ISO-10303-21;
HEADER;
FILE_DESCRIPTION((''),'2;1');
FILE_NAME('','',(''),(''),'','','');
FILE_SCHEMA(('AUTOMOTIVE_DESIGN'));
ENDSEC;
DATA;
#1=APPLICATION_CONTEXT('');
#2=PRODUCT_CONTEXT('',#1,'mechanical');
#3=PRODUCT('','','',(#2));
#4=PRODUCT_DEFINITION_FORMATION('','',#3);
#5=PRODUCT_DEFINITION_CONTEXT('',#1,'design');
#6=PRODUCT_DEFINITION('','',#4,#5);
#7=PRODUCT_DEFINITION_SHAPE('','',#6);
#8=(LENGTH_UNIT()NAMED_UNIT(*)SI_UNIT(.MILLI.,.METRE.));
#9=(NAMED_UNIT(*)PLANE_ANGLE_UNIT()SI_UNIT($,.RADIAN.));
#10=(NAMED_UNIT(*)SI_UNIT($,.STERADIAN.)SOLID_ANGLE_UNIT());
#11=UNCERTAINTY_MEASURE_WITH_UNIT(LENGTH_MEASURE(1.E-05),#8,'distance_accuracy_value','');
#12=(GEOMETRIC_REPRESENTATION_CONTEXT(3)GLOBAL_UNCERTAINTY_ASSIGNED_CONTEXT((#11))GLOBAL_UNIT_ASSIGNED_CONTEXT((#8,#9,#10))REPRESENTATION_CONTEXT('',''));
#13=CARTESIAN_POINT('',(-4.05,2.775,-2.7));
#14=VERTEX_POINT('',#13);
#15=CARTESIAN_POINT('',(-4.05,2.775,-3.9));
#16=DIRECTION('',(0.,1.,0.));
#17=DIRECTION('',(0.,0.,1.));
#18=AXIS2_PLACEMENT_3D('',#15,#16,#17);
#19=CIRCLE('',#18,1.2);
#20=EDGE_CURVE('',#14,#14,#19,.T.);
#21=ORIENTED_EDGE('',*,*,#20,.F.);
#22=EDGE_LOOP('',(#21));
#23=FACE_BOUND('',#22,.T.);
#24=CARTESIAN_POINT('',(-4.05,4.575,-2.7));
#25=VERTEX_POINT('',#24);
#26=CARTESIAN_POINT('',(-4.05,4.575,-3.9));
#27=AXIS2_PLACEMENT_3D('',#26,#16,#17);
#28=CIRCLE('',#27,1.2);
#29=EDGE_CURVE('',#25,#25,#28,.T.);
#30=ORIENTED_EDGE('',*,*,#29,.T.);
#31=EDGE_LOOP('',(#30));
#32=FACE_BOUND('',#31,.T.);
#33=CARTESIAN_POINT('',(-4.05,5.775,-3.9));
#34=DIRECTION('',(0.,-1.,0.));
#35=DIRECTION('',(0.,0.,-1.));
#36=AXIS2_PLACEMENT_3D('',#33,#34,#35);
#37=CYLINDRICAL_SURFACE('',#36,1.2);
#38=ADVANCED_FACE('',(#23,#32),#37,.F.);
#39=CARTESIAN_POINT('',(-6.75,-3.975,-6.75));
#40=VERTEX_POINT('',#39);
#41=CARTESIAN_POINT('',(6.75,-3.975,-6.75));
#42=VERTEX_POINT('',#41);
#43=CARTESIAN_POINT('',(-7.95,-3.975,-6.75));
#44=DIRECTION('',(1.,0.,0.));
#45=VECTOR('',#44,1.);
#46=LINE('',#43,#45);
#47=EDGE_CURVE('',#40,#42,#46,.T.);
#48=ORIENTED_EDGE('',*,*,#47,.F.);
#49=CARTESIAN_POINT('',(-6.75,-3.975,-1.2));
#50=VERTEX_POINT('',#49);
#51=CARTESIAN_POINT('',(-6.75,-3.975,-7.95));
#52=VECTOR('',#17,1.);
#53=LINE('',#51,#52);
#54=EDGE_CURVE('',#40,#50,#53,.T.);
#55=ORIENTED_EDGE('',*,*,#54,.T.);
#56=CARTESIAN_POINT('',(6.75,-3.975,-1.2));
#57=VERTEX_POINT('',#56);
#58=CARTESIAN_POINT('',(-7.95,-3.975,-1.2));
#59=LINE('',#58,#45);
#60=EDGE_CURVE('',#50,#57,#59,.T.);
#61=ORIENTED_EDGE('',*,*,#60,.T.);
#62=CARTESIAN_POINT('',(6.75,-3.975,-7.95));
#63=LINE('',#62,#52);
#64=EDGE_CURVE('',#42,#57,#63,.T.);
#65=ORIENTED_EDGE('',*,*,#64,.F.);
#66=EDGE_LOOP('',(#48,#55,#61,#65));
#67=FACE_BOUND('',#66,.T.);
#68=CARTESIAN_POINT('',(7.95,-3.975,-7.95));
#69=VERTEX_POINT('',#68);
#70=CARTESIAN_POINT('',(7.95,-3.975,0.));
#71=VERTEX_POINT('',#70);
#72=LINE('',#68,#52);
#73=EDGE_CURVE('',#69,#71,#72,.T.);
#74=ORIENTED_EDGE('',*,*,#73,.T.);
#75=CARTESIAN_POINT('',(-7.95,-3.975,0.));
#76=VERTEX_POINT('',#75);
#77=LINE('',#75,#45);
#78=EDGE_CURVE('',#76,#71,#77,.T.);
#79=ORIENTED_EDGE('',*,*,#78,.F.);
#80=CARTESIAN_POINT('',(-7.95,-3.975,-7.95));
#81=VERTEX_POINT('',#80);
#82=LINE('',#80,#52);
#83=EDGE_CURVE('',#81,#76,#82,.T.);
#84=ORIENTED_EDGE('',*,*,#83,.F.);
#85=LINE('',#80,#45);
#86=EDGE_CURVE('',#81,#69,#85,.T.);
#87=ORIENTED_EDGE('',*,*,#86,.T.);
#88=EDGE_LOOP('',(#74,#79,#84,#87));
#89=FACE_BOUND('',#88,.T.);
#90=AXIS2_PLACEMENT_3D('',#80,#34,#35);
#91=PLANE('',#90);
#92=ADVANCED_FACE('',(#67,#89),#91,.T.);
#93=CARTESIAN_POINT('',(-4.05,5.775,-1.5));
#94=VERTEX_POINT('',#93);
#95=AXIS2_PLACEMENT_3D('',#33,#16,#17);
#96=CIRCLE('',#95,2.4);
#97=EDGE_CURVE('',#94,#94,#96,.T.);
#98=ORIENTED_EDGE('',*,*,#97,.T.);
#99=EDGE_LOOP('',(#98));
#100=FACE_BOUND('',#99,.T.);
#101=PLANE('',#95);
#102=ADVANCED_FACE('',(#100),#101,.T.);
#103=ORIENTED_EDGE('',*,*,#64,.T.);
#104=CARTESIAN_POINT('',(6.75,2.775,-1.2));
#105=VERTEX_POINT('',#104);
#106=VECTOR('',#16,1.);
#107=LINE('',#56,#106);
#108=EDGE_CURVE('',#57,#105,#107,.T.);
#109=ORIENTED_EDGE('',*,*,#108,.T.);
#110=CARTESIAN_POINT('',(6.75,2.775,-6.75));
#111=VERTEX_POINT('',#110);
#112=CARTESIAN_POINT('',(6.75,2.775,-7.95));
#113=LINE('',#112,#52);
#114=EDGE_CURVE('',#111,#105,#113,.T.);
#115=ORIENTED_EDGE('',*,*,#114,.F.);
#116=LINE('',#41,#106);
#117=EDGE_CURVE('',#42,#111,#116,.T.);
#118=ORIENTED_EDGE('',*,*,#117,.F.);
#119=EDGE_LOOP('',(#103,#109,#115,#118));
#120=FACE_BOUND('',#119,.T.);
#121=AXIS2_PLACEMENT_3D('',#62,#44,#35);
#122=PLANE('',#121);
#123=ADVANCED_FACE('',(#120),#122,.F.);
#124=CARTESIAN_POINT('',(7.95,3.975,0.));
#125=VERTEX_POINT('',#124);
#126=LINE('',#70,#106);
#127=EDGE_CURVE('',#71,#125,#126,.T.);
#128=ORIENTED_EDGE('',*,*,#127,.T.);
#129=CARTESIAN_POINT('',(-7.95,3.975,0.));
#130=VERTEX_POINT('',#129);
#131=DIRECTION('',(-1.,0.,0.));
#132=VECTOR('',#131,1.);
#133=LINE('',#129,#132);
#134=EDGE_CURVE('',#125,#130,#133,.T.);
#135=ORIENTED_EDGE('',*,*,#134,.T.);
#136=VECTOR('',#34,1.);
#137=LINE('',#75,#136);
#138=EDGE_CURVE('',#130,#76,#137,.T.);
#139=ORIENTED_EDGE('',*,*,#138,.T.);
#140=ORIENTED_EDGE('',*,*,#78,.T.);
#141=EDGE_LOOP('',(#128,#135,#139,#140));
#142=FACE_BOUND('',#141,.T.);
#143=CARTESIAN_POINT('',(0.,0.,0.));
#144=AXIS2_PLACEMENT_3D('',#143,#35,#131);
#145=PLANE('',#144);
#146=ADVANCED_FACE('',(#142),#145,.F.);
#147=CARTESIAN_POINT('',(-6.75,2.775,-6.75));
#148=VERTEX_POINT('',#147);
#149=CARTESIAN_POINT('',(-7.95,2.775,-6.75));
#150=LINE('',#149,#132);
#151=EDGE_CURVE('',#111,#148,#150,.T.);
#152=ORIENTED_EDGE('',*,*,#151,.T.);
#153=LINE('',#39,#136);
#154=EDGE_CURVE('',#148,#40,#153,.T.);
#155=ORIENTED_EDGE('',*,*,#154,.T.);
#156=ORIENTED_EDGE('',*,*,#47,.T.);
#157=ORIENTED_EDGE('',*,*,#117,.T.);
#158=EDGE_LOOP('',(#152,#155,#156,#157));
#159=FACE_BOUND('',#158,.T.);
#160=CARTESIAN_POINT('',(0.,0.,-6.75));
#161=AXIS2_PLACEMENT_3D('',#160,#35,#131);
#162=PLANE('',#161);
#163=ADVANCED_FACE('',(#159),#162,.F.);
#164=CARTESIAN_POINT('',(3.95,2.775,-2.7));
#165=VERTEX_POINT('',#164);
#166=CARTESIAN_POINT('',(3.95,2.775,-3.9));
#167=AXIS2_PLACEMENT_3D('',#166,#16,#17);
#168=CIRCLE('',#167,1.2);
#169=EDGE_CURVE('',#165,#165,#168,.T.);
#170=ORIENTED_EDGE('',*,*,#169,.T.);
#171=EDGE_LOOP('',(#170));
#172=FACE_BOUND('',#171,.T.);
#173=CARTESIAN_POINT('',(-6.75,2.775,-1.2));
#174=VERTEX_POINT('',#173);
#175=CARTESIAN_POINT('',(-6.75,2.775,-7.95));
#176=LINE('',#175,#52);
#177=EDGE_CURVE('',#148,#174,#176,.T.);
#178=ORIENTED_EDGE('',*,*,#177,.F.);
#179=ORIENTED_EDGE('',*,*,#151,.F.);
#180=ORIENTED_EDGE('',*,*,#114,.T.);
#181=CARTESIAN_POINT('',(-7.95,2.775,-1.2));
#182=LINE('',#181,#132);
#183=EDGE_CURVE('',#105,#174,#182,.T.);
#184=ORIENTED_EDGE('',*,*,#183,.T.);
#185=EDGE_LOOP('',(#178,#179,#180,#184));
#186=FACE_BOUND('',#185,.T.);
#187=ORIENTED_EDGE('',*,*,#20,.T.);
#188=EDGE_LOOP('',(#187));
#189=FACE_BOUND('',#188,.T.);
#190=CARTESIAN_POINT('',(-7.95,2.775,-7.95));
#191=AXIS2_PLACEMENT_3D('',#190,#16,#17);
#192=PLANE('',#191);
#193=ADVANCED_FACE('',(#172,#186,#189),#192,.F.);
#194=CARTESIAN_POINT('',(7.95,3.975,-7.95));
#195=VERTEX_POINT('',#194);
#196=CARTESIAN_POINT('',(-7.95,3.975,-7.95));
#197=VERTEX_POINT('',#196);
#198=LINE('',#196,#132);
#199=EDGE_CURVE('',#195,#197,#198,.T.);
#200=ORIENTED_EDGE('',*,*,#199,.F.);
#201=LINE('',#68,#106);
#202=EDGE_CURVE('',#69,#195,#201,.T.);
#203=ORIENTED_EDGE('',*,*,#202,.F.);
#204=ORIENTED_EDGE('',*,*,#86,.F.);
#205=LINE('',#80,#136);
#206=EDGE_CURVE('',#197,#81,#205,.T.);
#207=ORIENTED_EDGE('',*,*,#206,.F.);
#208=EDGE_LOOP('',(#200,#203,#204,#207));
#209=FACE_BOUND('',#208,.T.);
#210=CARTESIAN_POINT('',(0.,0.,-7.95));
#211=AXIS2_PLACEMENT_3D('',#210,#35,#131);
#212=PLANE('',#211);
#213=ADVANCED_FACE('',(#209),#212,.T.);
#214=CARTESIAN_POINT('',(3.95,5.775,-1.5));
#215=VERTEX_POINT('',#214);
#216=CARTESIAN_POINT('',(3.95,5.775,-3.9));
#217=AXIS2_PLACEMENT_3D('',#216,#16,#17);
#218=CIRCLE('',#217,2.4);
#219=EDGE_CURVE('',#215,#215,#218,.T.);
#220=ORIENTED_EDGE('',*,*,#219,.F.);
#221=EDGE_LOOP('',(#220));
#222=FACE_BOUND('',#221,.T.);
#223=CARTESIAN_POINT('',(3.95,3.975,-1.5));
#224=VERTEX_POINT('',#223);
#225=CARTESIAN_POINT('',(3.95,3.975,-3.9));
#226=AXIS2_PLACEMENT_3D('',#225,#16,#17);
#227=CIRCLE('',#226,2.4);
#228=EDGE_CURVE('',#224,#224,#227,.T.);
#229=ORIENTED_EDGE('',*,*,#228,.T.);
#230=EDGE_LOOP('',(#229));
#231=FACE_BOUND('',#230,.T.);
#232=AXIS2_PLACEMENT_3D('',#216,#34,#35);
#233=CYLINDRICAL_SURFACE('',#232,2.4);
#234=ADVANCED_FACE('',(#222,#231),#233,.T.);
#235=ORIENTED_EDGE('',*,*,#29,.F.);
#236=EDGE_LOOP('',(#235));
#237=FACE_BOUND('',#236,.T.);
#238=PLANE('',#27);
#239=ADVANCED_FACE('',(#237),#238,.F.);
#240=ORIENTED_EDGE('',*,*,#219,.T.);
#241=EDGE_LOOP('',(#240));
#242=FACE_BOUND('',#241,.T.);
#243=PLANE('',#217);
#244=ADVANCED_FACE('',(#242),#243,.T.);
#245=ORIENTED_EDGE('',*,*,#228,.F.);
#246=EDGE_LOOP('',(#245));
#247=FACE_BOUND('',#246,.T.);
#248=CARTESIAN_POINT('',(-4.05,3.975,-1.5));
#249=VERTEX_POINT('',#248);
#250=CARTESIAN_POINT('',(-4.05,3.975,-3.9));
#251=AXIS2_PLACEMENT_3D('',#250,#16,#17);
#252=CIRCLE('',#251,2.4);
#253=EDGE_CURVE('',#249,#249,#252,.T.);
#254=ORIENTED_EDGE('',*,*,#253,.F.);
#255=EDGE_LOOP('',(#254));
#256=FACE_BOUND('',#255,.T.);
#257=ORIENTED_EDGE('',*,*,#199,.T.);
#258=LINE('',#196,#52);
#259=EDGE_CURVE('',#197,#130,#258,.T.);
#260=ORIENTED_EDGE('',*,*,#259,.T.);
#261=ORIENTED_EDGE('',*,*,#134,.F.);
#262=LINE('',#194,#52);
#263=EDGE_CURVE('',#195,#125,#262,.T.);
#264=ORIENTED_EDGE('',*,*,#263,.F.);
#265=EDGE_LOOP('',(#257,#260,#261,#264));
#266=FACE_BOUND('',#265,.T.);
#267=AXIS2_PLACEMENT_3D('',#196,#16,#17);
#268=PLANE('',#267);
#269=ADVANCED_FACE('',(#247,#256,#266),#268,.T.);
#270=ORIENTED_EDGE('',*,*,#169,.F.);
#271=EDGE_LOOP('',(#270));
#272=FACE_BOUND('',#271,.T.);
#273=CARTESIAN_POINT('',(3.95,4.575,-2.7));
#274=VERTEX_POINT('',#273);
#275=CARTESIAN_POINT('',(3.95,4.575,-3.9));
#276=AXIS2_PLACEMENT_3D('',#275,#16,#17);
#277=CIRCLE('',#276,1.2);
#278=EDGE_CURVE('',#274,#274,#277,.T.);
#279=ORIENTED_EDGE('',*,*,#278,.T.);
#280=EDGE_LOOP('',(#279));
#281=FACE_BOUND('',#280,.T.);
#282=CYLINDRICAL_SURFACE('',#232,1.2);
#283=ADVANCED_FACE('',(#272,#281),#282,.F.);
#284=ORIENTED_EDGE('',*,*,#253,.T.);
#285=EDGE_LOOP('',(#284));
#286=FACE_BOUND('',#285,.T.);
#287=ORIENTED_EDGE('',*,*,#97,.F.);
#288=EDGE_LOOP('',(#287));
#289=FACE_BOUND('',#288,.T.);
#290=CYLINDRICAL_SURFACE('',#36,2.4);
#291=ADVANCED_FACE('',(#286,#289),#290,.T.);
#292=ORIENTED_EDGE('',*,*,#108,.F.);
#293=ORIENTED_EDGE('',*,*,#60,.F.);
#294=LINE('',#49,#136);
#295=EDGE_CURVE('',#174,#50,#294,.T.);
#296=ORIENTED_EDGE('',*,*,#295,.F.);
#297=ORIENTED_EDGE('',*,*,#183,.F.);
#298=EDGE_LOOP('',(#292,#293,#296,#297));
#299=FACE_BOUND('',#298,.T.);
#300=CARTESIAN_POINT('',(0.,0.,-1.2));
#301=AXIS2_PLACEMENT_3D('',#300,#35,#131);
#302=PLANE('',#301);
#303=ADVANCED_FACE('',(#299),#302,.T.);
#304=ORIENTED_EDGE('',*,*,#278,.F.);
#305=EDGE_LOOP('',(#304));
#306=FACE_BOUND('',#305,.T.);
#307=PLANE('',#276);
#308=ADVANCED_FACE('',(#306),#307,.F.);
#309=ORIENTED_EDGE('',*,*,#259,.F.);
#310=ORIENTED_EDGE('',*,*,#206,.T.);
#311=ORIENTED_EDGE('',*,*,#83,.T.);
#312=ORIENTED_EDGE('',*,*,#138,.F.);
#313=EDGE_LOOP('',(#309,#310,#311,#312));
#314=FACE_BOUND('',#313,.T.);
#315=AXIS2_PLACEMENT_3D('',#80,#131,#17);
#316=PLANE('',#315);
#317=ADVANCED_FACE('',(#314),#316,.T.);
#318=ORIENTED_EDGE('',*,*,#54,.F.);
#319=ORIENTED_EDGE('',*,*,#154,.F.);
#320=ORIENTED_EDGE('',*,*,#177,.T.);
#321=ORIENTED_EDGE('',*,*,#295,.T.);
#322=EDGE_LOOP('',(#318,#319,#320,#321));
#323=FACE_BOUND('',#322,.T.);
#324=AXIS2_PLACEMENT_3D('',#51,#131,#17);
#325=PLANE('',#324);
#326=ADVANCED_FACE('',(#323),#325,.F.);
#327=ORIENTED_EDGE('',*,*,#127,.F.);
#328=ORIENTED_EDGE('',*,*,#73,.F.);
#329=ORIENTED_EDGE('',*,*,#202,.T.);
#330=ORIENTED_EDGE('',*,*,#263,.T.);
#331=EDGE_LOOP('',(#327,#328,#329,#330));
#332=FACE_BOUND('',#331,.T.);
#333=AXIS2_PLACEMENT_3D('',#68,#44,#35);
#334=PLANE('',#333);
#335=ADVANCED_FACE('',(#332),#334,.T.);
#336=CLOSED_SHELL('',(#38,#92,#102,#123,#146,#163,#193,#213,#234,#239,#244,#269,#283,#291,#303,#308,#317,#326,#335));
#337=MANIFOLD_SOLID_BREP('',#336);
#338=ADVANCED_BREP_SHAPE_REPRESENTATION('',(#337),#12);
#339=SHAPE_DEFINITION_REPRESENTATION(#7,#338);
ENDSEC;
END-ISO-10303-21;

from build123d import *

# Parameters (mm, degrees)
SKETCH1_W           = 15.9
SKETCH1_H           = 7.95
BOSS_EXTRUDE1_DEPTH = 7.95
SKETCH2_R           = 2.4
BOSS_EXTRUDE2_DEPTH = 1.8
LPATTERN1_COUNT     = 2
LPATTERN1_PITCH     = 8
SHELL1_T            = -1.2


with BuildPart() as part:
    # Sketch1 → Boss-Extrude1 (new body)
    with BuildSketch(Plane.XY):
        Rectangle(SKETCH1_W, SKETCH1_H)
    extrude(amount=-BOSS_EXTRUDE1_DEPTH)

    # Sketch2 → Boss-Extrude2 (add)
    with BuildSketch(Plane(origin=(0, 3.975, 0), x_dir=(1, 0, 0), z_dir=(0, 1, 0))):
        with Locations(Location((-4.05, 3.9, 0), (0, 0, 270))):
            Circle(SKETCH2_R)
    boss_extrude2 = extrude(amount=BOSS_EXTRUDE2_DEPTH)

    # LPattern1: Boss-Extrude2 ×2
    with Locations(*[(i * LPATTERN1_PITCH, 0, 0) for i in range(1, LPATTERN1_COUNT)]):
        add(boss_extrude2)

    # Shell1
    shell1_openings = [part.faces().sort_by_distance(p)[0] for p in [
        (0, -3.975, -3.975),
    ]]
    offset(amount=SHELL1_T, openings=shell1_openings, kind=Kind.INTERSECTION)


solid = part.part
